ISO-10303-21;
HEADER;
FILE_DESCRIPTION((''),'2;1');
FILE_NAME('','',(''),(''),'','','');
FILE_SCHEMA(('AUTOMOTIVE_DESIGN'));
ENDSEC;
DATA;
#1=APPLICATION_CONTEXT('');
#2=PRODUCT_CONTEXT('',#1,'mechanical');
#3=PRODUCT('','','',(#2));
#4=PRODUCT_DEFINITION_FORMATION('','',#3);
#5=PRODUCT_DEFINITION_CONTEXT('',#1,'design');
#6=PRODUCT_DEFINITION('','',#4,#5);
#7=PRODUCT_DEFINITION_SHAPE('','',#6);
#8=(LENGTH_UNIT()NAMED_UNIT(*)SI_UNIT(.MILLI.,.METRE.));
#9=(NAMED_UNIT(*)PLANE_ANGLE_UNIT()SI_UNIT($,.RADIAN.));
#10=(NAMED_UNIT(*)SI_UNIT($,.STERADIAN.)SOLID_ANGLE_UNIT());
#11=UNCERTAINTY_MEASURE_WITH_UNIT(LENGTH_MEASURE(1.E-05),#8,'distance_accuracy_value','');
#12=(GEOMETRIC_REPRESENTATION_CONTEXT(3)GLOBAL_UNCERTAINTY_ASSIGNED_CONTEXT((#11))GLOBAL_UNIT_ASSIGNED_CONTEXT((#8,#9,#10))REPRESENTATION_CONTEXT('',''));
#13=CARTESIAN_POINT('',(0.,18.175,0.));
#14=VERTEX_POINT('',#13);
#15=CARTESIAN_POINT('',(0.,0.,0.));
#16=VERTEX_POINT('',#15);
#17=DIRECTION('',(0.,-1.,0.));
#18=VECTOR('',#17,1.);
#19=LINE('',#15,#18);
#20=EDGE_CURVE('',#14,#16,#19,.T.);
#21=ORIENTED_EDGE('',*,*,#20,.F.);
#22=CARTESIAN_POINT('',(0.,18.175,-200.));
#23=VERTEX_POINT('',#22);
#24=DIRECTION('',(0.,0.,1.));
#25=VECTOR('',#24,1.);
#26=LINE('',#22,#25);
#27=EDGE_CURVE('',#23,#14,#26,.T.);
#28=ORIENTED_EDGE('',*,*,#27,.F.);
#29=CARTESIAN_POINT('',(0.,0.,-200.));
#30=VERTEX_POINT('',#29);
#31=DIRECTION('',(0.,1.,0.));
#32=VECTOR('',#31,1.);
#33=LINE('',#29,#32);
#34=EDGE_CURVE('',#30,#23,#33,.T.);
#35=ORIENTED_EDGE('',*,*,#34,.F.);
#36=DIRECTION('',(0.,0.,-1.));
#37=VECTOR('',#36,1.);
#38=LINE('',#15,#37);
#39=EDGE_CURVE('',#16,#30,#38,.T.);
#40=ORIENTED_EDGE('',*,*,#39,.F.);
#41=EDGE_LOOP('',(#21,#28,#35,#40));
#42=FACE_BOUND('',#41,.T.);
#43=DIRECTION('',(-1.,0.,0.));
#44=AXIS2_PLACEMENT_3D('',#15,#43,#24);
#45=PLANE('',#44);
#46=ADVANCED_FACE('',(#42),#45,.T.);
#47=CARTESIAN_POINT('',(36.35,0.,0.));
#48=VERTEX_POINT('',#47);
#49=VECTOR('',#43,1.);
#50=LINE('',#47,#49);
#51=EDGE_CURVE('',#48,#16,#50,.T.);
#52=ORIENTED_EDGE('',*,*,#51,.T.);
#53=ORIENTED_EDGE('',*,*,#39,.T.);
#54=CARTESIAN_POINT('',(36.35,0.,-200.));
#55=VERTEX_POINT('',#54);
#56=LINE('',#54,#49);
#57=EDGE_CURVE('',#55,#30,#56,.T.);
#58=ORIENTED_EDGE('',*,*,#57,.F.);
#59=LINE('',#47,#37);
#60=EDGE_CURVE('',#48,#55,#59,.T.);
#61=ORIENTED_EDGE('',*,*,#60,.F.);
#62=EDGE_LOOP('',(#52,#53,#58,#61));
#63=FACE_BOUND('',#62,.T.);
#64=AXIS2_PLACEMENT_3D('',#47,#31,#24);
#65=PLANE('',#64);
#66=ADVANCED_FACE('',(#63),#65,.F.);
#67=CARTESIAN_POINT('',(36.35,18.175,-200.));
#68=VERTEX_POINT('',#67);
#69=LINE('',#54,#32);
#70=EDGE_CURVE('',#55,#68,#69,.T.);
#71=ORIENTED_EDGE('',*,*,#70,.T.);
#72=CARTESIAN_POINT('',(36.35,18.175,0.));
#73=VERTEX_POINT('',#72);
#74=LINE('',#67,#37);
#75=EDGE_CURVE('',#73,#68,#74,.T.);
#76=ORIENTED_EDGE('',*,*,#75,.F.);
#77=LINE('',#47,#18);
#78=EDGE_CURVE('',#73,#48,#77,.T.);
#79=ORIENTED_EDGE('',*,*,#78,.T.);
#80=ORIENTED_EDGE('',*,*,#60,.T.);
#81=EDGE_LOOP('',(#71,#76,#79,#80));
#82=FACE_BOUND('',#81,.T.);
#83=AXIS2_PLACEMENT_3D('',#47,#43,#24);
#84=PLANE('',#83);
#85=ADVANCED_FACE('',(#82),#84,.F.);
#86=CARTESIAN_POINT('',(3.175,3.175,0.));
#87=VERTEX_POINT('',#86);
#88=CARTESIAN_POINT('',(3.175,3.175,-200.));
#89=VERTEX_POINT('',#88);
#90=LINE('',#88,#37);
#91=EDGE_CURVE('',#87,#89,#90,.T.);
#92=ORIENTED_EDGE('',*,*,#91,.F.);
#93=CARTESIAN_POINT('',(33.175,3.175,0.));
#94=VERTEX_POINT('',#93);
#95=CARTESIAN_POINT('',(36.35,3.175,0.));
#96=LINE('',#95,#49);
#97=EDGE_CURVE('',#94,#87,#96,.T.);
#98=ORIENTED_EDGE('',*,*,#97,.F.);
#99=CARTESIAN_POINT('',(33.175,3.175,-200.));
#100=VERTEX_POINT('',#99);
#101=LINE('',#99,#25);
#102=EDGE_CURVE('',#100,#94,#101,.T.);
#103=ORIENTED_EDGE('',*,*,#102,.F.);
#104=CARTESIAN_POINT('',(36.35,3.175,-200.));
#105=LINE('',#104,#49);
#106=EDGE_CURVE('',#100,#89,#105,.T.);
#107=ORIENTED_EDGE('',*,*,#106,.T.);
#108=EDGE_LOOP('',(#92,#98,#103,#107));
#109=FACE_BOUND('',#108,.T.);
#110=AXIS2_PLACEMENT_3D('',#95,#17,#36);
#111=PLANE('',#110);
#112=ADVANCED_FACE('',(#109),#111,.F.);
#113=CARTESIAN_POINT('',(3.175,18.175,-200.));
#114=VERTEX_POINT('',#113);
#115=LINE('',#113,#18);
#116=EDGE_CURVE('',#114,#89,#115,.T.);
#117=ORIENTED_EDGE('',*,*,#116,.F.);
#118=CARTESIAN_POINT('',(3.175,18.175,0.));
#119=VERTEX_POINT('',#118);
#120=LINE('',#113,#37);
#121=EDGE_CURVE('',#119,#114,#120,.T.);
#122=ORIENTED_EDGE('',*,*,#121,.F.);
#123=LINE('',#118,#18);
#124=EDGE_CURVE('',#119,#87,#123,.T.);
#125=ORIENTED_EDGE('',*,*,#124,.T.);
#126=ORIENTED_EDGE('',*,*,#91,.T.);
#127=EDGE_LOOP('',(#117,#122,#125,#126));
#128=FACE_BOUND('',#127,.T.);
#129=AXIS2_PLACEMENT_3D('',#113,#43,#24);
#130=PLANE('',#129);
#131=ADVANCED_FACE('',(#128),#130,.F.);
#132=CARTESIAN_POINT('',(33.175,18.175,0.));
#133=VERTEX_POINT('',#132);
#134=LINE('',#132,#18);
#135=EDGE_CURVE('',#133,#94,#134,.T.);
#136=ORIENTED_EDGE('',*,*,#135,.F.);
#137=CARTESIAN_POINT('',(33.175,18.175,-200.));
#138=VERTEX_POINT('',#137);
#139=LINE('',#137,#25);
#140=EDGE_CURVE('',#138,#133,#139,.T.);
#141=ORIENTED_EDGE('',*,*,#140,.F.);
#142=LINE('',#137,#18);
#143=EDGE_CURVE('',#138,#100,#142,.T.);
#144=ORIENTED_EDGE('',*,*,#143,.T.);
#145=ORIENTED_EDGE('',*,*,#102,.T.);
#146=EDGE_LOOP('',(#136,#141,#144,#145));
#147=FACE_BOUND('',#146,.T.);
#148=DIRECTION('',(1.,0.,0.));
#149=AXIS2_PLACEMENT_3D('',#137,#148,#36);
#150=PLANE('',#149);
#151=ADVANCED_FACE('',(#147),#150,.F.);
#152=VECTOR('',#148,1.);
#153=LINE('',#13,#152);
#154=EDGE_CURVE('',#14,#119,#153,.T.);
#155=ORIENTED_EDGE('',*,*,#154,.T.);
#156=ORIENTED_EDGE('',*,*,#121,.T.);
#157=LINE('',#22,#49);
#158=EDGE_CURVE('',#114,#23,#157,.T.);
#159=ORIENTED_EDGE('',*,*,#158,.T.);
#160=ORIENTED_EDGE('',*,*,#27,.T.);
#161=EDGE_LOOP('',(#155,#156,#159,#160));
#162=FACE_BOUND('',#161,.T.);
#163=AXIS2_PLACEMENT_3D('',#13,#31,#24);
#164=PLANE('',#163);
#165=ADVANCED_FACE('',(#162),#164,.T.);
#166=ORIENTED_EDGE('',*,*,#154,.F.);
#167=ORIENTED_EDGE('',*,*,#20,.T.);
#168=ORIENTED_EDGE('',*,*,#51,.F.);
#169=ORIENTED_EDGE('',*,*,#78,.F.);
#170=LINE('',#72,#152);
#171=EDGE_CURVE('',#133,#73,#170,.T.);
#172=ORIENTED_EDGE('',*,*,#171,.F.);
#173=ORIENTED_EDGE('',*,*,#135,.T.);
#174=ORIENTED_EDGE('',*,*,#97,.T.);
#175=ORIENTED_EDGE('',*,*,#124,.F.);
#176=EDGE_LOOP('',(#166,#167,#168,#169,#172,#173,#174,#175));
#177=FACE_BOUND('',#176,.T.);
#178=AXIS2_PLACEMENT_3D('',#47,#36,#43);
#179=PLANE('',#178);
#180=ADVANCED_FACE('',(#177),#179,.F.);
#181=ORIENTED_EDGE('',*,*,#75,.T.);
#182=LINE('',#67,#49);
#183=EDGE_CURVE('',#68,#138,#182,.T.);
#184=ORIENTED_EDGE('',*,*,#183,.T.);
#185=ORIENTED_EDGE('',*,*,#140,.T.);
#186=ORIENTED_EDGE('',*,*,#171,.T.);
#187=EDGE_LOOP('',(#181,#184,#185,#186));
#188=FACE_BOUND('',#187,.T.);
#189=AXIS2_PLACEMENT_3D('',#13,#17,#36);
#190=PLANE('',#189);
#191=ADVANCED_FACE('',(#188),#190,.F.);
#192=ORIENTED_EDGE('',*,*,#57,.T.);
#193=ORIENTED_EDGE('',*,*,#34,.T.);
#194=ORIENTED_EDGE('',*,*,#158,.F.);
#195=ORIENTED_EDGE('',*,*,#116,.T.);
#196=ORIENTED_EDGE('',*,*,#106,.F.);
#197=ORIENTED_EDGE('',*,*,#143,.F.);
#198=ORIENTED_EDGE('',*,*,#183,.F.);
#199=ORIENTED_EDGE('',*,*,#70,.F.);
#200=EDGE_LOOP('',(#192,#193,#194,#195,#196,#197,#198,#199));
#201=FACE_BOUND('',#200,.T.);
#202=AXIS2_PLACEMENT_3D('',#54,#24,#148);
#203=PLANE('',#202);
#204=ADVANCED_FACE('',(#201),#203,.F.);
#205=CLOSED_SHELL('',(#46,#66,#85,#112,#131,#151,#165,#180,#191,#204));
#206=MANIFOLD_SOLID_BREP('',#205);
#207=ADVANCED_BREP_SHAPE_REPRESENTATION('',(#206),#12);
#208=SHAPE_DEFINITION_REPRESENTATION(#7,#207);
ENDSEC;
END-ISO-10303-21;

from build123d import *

# Parameters (mm, degrees)
SKETCH1_W           = 200
SKETCH1_H           = 3.175
BOSS_EXTRUDE1_DEPTH = 36.35
SKETCH2_W           = 3.175
SKETCH2_H           = 200
BOSS_EXTRUDE2_DEPTH = 15


with BuildPart() as part:
    # Sketch1 → Boss-Extrude1 (new body)
    with BuildSketch(Plane(origin=(0, 0, 0), x_dir=(0, 0, -1), z_dir=(1, 0, 0))):
        with Locations((100, 1.5875)):
            Rectangle(SKETCH1_W, SKETCH1_H)
    extrude(amount=BOSS_EXTRUDE1_DEPTH)

    # Sketch2 → Boss-Extrude2 (add)
    with BuildSketch(Plane(origin=(0, 3.175, 0), x_dir=(1, 0, 0), z_dir=(0, 1, 0))):
        with Locations((1.5875, 100)):
            Rectangle(SKETCH2_W, SKETCH2_H)
        with Locations((34.7625, 100)):
            Rectangle(SKETCH2_W, SKETCH2_H)
    extrude(amount=BOSS_EXTRUDE2_DEPTH)


solid = part.part
